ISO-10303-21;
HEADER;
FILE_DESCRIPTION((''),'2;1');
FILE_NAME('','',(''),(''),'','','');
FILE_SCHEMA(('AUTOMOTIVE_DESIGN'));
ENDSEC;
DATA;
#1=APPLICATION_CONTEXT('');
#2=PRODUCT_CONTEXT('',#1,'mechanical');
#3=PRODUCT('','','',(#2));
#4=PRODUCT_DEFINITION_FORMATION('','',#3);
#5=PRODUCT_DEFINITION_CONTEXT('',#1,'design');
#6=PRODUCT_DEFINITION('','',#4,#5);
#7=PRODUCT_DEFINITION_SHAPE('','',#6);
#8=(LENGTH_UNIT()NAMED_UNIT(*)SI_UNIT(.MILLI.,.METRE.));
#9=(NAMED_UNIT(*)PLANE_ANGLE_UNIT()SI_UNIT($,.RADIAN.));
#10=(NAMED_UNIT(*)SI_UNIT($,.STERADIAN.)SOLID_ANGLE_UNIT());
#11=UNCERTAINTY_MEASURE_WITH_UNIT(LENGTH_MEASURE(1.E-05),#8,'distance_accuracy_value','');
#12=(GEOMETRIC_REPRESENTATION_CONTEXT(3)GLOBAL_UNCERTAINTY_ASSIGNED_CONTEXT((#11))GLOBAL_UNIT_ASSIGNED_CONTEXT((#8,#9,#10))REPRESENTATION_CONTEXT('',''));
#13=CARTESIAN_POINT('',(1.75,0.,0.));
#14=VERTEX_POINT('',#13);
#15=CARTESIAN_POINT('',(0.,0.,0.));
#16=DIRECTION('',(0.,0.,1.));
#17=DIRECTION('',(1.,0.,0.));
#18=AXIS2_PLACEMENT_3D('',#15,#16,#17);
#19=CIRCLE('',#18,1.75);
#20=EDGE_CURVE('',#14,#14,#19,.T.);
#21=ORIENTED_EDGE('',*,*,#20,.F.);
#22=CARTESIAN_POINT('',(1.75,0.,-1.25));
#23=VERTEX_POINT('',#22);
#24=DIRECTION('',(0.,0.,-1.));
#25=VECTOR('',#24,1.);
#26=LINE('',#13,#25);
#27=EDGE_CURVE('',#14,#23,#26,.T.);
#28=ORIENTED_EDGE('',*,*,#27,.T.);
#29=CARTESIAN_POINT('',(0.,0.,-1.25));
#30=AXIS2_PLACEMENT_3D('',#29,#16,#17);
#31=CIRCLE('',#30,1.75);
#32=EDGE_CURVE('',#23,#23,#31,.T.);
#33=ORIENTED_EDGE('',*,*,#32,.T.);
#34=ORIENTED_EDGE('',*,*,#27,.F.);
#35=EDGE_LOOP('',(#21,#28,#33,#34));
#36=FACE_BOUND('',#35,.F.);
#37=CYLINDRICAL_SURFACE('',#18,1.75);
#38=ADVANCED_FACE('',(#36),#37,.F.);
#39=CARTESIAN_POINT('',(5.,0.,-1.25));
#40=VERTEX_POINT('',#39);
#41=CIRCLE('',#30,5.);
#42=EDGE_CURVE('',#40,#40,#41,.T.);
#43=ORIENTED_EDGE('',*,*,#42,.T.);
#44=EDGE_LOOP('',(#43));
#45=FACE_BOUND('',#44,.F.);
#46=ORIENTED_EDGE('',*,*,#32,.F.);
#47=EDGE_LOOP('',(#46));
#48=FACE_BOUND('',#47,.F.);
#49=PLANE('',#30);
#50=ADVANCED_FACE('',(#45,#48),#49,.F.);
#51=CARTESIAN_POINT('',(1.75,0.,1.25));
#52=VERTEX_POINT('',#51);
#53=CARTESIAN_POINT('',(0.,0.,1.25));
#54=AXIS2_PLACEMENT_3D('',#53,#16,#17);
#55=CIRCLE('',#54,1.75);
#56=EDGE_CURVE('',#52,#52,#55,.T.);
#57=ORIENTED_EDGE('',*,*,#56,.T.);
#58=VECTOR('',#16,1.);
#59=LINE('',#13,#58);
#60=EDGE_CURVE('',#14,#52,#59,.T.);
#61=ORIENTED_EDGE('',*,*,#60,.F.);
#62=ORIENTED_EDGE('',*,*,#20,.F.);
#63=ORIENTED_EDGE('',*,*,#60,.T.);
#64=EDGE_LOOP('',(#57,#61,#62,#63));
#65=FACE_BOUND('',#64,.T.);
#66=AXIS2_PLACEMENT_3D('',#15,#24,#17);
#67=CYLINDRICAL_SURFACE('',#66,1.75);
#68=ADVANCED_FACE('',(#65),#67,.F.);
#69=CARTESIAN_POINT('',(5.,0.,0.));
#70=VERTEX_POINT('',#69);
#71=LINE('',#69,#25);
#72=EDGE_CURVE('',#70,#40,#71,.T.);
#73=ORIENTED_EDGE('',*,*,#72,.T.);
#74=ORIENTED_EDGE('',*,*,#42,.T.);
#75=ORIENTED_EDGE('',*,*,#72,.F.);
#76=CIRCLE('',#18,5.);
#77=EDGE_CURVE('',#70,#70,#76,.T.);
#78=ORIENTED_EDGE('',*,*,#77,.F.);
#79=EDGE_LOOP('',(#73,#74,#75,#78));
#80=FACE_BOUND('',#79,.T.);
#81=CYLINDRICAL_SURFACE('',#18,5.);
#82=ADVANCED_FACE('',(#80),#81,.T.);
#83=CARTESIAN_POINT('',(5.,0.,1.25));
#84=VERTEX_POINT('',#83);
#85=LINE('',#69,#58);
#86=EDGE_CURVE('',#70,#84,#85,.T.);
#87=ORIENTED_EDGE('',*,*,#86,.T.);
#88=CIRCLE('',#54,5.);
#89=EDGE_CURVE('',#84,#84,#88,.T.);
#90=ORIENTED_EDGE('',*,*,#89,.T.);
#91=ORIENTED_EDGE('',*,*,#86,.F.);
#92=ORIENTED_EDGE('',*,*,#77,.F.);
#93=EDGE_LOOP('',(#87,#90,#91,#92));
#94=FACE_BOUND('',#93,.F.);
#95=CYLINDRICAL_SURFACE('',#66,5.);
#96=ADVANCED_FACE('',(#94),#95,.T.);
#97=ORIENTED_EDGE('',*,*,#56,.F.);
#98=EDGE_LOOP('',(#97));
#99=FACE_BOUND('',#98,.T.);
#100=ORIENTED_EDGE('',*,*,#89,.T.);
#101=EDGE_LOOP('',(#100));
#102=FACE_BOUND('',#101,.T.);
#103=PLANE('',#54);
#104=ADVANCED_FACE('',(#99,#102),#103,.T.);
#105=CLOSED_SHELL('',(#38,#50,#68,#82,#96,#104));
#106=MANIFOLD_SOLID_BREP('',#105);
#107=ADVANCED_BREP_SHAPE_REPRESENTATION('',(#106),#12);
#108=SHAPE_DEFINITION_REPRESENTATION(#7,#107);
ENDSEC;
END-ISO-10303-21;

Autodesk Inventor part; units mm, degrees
ref_plane "YZ Plane" through (0, 0, 0) normal (1, 0, 0) x (0, 1, 0)
ref_plane "XZ Plane" through (0, 0, 0) normal (0, 1, 0) x (-1, 0, 0)
ref_plane "XY Plane" through (0, 0, 0) normal (0, 0, 1) x (1, 0, 0)
sketch "Sketch1" plane through (0, 0, 0) normal (0, 0, 1) x (1, 0, 0)
  circle A0 centre (0, 0) radius 5
  circle A1 centre (0, 0) radius 1.75
  dimension "d0" = 10
  dimension "d1" = 3.5
extrude "Extrusion1" add sketch "Sketch1" along normal mid plane 2.5
